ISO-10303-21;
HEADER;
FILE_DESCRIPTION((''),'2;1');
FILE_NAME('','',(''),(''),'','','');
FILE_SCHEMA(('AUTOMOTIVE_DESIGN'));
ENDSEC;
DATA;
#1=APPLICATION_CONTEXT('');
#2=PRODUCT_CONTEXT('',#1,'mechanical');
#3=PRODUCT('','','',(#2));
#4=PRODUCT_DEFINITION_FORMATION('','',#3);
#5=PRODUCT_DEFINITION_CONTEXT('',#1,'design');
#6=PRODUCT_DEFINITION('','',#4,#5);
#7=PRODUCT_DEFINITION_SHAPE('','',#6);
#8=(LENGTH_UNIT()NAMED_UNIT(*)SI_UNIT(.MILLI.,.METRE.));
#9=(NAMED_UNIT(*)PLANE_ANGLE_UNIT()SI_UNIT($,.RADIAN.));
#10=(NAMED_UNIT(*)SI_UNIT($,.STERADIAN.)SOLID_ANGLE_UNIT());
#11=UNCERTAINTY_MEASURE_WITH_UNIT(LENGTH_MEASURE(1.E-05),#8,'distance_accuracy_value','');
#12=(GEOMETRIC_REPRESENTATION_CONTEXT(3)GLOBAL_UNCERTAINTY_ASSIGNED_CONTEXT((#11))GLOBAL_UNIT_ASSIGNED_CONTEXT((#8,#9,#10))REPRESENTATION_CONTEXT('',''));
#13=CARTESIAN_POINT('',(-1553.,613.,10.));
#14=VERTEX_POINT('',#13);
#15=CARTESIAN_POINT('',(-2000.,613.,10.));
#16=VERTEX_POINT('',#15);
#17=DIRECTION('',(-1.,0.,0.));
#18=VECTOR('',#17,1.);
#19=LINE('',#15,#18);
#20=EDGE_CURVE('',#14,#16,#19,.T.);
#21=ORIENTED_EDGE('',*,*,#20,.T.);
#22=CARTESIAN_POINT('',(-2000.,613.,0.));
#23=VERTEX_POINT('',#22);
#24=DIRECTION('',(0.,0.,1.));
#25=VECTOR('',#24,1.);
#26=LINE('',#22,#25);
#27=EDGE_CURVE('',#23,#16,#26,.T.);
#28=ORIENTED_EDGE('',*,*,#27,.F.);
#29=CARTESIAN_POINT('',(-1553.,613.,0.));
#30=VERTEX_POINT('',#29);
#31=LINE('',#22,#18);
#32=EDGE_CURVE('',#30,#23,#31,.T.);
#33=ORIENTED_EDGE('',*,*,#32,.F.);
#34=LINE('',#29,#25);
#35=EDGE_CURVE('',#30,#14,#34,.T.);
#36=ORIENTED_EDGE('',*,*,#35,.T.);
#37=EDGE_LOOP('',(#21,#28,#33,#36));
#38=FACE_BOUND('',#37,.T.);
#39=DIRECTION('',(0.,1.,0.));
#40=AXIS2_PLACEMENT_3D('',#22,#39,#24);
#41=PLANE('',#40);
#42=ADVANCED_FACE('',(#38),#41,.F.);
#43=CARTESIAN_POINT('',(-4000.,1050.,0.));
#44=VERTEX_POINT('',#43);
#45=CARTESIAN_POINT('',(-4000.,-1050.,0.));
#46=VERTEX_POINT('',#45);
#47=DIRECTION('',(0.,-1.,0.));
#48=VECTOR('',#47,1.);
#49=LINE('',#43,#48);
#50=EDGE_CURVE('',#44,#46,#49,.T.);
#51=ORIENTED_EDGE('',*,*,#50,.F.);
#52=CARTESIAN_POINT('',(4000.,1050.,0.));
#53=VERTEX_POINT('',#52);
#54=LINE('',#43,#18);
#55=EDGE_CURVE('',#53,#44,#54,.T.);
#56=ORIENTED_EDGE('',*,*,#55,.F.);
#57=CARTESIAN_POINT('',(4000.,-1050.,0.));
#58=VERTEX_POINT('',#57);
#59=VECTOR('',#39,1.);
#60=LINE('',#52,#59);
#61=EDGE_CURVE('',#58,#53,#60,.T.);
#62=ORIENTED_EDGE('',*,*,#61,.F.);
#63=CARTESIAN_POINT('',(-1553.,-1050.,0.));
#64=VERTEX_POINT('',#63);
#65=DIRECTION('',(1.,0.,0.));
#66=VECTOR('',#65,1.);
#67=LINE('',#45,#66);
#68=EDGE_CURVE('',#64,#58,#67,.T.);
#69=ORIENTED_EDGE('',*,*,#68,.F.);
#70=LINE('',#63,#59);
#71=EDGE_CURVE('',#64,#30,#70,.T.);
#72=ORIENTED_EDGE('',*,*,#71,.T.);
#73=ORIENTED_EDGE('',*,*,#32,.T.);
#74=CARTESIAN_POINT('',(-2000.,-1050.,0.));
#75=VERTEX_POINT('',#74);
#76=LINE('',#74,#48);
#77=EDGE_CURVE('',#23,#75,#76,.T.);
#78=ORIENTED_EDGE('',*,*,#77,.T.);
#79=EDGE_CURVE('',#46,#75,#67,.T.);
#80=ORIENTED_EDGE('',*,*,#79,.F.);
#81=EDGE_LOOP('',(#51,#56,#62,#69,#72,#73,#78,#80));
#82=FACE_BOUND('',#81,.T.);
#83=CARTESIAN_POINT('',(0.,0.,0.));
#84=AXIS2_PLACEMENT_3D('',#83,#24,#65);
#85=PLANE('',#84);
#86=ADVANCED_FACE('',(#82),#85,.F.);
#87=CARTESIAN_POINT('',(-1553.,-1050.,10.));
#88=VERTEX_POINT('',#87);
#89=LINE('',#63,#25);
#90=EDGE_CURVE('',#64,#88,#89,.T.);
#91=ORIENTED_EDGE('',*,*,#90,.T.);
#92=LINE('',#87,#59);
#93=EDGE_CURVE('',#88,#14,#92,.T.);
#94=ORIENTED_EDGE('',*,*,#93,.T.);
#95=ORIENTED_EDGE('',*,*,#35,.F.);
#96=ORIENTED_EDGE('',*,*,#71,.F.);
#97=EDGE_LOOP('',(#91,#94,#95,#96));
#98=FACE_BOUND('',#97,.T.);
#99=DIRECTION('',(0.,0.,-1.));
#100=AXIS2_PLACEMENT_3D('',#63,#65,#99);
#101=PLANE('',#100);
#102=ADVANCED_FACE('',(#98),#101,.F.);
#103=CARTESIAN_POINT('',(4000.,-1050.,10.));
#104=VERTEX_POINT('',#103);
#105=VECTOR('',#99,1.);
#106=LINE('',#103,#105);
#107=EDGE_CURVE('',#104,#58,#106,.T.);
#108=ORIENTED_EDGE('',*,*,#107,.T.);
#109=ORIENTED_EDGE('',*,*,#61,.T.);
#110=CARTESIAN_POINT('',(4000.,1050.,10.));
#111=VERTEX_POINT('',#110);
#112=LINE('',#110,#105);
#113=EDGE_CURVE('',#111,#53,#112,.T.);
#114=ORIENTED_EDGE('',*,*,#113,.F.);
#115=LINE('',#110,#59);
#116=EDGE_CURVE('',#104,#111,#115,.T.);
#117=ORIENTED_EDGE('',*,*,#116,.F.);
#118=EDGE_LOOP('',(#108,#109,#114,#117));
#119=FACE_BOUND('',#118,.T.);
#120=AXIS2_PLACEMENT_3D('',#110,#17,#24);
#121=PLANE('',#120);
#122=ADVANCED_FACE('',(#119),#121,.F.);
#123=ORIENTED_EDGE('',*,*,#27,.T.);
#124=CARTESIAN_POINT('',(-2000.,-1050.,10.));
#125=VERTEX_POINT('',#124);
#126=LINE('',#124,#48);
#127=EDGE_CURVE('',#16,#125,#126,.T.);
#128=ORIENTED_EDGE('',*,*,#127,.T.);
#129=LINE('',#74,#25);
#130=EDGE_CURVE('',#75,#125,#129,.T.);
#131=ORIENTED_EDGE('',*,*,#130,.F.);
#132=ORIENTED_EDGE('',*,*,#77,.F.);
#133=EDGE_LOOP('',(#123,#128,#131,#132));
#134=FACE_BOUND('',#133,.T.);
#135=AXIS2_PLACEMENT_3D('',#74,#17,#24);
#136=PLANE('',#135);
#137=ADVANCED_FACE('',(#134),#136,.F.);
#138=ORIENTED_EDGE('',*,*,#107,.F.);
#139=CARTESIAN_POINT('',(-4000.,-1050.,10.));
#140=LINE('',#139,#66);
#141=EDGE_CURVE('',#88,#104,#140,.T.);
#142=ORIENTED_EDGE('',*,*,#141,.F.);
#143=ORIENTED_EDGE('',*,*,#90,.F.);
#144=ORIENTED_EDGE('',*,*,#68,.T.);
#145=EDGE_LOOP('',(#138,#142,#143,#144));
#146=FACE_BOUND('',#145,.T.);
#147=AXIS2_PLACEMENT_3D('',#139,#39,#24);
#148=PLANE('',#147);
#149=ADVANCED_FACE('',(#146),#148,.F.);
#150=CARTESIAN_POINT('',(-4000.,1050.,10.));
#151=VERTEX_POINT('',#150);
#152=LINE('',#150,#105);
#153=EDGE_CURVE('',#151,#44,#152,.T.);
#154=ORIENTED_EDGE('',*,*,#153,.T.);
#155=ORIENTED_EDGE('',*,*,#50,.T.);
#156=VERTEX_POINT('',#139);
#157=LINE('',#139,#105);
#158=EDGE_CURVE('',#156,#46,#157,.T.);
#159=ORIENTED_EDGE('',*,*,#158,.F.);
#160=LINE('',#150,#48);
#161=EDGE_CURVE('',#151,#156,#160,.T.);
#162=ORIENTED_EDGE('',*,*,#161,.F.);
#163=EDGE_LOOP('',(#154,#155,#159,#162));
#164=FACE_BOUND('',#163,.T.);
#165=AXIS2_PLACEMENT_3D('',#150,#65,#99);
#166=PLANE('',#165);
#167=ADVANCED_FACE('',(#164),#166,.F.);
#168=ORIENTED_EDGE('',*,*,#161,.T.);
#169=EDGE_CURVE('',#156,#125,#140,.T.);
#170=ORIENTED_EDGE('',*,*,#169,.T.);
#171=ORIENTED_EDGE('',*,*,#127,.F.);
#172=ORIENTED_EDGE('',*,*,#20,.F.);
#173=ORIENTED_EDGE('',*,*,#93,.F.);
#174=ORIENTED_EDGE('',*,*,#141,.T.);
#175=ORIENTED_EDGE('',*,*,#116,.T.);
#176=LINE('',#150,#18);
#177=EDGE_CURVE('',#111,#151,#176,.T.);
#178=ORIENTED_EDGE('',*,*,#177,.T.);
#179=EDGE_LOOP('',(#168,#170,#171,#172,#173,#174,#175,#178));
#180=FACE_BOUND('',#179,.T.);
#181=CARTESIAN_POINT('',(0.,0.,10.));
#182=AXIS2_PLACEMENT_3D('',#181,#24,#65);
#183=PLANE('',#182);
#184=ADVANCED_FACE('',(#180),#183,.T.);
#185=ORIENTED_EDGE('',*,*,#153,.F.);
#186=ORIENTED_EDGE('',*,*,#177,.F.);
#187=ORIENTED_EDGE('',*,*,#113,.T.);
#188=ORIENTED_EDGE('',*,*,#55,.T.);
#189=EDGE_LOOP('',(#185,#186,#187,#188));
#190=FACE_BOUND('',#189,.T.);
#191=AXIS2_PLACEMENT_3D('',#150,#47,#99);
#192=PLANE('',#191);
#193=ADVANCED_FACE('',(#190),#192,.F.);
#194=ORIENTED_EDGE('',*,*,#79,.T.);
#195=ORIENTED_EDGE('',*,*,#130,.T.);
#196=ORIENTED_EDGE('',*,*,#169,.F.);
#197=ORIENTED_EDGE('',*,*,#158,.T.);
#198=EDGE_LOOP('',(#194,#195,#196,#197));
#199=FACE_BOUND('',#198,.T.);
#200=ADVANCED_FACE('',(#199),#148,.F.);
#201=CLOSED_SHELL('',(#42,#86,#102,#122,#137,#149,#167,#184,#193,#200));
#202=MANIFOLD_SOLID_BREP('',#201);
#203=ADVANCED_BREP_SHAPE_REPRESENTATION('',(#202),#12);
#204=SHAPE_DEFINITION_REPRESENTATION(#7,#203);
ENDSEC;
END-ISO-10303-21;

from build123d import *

# Parameters (mm, degrees)
SKETCH1_W           = 8000
SKETCH1_H           = 2100
BOSS_EXTRUDE1_DEPTH = 10
SKETCH2_W           = 447
SKETCH2_H           = 1663
CUT_EXTRUDE1_DEPTH  = 11


with BuildPart() as part:
    # Sketch1 → Boss-Extrude1 (new body)
    with BuildSketch(Plane.XY):
        Rectangle(SKETCH1_W, SKETCH1_H)
    extrude(amount=BOSS_EXTRUDE1_DEPTH)

    # Sketch2 → Cut-Extrude1 (cut, through all)
    with BuildSketch(Plane.XY.offset(10)):
        with Locations((-1776.5, -218.5)):
            Rectangle(SKETCH2_W, SKETCH2_H)
    extrude(amount=-CUT_EXTRUDE1_DEPTH, mode=Mode.SUBTRACT)


solid = part.part
